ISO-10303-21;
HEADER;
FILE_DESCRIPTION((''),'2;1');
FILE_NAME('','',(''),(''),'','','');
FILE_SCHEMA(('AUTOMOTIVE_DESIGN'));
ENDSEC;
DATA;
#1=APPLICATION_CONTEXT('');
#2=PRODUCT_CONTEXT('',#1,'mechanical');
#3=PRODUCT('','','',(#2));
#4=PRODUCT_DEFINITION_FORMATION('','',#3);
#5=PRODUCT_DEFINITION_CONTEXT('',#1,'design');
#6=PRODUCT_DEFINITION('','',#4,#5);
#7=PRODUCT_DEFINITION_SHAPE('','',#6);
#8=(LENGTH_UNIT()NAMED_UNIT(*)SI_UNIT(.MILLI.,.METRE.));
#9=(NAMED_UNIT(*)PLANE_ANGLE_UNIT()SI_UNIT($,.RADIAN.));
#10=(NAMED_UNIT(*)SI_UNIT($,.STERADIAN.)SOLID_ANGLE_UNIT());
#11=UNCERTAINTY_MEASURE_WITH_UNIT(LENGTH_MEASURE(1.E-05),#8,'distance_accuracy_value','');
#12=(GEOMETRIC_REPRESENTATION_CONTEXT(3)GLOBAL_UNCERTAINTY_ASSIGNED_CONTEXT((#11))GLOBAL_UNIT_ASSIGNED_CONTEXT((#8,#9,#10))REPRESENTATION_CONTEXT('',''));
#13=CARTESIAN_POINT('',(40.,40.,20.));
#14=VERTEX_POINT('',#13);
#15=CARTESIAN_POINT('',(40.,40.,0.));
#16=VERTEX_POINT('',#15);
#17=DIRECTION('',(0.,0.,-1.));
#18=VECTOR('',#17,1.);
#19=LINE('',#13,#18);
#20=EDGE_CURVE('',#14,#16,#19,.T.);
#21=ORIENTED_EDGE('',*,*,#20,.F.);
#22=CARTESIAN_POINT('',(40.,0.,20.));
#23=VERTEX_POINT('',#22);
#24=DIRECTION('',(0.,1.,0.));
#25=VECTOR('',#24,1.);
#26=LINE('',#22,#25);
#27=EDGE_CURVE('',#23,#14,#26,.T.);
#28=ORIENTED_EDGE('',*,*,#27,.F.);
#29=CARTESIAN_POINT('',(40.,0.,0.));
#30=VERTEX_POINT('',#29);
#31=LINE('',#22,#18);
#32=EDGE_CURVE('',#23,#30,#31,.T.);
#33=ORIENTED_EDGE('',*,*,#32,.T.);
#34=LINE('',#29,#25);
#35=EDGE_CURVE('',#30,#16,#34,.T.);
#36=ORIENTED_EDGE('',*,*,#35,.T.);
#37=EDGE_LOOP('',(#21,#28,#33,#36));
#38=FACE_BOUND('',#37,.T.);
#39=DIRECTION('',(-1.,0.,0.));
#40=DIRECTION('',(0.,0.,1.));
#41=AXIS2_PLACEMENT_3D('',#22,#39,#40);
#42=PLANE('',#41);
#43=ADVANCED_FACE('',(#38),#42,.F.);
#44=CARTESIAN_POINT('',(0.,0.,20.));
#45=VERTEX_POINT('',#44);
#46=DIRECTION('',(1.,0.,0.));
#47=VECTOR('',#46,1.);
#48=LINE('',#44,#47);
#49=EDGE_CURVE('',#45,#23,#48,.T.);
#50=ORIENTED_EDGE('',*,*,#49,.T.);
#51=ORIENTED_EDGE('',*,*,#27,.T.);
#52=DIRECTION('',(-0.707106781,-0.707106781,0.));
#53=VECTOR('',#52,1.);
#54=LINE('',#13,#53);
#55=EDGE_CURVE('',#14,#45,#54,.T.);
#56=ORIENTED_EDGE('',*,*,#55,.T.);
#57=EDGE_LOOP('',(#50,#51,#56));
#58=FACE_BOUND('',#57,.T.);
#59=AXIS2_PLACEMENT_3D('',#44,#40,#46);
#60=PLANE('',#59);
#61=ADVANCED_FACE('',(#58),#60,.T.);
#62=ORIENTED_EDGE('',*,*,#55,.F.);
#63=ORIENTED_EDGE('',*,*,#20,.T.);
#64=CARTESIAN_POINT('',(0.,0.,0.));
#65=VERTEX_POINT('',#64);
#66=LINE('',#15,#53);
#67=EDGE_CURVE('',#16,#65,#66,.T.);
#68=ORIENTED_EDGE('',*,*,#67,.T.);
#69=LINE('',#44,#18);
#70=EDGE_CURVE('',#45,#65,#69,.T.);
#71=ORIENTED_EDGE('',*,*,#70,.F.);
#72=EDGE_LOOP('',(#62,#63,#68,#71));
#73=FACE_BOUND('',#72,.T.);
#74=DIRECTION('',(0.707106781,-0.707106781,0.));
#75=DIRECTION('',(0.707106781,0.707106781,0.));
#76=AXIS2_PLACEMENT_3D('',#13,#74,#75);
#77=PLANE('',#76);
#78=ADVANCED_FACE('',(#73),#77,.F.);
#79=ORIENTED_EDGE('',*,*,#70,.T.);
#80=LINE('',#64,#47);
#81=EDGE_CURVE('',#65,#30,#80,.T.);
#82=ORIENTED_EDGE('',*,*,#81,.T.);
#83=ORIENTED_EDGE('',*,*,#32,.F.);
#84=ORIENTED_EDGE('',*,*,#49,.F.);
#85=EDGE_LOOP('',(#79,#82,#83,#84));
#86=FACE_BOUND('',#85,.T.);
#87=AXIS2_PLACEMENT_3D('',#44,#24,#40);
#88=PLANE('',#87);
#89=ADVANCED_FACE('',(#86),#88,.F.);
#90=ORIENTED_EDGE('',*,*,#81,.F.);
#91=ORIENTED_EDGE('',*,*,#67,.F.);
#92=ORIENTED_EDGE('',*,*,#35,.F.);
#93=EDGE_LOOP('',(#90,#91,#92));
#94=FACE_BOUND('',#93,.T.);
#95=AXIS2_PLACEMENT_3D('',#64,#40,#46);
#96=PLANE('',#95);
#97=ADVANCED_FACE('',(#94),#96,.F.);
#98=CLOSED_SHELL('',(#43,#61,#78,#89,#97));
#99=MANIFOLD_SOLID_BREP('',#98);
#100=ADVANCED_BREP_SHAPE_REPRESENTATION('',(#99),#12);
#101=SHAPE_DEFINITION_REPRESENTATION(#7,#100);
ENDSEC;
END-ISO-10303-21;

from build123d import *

# Parameters (mm, degrees)
AUFSATZ_LINEAR_AUSTRAGEN1_DEPTH = 20


with BuildPart() as part:
    # Skizze2 → Aufsatz-Linear austragen1 (new body)
    with BuildSketch(Plane.XY):
        Polygon((0, 0), (40, 0), (40, 40), align=None)
    extrude(amount=AUFSATZ_LINEAR_AUSTRAGEN1_DEPTH)


solid = part.part
